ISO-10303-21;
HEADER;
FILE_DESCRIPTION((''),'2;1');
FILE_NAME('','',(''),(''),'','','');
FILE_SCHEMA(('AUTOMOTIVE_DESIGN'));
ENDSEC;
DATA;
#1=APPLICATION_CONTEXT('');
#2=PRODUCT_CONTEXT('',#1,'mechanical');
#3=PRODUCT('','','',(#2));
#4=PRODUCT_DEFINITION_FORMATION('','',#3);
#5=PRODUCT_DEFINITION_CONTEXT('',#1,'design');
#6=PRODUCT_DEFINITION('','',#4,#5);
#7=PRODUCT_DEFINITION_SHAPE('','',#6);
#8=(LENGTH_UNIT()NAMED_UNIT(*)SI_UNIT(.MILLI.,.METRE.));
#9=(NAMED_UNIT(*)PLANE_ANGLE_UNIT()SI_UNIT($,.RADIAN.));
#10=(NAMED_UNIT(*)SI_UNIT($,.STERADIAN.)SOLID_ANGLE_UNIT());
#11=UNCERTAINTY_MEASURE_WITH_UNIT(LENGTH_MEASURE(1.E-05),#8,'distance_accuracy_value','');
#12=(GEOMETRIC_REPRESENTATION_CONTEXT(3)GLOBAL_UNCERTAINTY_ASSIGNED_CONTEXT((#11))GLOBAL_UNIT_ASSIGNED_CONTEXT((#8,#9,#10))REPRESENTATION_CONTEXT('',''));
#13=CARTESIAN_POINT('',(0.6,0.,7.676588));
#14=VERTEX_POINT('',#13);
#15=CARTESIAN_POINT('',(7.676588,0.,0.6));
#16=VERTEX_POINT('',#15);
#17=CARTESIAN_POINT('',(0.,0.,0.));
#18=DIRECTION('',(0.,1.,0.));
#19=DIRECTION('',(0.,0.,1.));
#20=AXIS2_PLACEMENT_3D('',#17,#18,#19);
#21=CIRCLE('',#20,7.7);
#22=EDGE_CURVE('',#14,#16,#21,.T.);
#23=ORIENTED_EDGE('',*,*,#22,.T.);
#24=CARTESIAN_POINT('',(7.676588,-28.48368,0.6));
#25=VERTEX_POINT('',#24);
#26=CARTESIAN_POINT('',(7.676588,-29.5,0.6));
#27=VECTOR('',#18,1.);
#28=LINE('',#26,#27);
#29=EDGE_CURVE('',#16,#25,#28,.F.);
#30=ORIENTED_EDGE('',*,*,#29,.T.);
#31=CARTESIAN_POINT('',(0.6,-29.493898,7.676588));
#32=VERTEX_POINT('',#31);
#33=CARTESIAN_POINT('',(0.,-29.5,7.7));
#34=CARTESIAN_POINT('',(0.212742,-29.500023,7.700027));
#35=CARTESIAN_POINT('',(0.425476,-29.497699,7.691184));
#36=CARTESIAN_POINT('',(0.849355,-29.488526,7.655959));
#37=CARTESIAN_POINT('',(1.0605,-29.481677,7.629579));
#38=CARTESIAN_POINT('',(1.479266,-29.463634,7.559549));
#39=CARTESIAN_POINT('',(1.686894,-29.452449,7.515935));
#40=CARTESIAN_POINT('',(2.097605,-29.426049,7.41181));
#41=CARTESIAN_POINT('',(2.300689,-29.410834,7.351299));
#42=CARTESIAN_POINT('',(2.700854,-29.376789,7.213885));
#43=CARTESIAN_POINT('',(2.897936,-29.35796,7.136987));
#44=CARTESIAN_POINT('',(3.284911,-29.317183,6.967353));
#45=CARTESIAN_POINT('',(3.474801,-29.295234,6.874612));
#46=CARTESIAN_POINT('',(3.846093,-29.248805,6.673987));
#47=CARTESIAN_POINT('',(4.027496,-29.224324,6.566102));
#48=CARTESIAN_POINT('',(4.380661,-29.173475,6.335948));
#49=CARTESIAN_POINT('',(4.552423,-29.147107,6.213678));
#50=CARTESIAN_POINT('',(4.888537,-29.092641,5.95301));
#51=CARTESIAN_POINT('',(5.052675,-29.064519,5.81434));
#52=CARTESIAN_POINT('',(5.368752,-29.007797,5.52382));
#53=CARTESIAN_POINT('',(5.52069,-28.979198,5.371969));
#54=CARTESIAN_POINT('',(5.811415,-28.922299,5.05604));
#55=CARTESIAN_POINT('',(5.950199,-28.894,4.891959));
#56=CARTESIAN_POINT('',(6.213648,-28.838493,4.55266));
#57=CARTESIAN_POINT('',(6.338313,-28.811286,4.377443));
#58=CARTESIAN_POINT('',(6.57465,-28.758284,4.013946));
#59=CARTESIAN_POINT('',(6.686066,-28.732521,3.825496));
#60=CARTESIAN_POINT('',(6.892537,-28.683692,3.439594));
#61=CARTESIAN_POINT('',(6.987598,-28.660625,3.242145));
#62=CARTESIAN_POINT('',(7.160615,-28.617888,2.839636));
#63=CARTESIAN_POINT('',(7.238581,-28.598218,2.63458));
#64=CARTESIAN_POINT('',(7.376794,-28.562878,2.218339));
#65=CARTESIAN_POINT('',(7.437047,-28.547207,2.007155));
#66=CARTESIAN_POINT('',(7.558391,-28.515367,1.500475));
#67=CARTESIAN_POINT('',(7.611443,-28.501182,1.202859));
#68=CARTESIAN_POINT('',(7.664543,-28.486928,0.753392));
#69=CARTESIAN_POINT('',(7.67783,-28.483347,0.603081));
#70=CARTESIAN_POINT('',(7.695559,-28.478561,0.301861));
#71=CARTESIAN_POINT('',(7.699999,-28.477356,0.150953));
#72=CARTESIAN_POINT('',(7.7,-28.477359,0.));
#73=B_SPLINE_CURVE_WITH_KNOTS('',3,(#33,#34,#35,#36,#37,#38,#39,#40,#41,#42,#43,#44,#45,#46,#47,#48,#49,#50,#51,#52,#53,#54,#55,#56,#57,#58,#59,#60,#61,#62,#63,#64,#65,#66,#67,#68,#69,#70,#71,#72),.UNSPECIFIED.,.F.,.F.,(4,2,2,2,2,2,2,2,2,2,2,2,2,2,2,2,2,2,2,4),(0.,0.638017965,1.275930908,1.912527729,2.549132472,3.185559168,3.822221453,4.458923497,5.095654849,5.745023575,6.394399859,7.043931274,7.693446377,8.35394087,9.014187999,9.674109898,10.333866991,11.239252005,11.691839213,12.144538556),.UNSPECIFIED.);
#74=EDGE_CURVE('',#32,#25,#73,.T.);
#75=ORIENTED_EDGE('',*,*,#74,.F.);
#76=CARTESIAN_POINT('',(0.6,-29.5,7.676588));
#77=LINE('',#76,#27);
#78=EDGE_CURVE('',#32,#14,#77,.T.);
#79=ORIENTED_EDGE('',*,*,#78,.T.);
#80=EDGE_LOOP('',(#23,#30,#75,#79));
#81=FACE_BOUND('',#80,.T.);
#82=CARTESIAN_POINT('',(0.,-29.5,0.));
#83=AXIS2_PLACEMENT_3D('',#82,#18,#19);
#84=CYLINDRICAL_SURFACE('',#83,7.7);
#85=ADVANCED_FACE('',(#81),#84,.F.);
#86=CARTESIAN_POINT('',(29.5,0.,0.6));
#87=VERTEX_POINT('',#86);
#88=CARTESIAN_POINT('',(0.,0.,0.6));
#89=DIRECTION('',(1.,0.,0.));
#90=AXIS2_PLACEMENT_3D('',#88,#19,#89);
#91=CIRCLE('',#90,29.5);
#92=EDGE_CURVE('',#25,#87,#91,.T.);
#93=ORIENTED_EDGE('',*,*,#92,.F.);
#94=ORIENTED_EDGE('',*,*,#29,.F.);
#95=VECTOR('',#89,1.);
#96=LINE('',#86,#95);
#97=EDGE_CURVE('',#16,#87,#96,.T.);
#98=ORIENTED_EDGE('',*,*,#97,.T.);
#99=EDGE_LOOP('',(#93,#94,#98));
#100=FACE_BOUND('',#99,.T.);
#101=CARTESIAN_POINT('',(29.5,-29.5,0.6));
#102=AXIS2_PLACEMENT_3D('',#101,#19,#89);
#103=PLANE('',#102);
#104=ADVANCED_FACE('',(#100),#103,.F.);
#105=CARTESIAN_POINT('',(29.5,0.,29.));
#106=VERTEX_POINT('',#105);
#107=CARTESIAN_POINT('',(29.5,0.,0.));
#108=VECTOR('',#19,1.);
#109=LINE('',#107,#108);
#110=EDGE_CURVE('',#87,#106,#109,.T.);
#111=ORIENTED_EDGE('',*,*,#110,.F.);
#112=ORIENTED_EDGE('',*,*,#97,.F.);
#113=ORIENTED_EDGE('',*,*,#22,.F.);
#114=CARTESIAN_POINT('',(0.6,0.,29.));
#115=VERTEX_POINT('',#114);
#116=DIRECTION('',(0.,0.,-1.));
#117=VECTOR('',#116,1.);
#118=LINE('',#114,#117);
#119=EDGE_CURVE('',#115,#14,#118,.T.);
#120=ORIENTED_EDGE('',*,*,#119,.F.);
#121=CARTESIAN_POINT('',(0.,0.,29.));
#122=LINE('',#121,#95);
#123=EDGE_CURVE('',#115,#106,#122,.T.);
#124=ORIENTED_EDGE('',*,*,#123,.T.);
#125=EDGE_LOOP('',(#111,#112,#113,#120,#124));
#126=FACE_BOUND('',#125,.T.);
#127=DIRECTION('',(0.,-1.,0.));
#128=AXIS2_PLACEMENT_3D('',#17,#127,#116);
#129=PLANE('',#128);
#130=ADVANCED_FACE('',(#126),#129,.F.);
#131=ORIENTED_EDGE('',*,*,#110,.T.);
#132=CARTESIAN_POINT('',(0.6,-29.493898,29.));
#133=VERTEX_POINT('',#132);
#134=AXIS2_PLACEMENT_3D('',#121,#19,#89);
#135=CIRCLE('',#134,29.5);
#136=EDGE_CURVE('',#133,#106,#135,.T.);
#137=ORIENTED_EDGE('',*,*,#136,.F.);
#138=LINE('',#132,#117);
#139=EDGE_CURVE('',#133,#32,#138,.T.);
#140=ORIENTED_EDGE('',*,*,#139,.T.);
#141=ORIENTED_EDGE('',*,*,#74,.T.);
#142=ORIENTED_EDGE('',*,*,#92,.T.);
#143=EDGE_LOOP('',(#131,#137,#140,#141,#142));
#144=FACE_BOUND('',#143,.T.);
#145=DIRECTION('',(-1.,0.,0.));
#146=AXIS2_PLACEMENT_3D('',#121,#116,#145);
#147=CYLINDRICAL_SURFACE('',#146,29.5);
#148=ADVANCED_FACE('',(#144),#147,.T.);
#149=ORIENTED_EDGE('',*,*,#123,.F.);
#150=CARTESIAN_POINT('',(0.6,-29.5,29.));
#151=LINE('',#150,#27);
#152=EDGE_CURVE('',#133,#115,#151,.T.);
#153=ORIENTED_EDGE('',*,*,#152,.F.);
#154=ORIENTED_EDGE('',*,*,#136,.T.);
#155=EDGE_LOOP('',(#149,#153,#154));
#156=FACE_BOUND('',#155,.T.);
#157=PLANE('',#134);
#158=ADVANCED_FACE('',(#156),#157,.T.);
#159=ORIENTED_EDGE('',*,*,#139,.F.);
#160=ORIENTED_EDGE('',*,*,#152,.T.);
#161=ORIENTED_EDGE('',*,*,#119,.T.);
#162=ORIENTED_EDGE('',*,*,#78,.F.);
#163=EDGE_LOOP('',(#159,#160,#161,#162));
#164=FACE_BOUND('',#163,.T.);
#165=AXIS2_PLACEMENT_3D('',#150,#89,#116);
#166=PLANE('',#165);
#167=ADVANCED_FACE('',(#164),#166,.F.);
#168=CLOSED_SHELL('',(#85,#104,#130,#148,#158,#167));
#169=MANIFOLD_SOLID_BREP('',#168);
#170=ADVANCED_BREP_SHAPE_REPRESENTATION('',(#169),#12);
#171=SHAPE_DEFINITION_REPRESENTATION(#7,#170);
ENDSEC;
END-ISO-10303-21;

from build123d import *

# Parameters (mm, degrees)
SKETCH1_R           = 29.5
BOSS_EXTRUDE1_DEPTH = 29
CUT_EXTRUDE1_DEPTH  = 51.808463862
SKETCH3_R           = 7.7
CUT_EXTRUDE2_DEPTH  = 51.808463862
SKETCH4_W           = 0.6
SKETCH4_H           = 22.211954595
SKETCH4_W_2         = 23.241543893
SKETCH4_H_2         = 0.6
CUT_EXTRUDE3_DEPTH  = 51.808464035


with BuildPart() as part:
    # Sketch1 → Boss-Extrude1 (new body)
    with BuildSketch(Plane.XY):
        with Locations(Location((0, 0, 0), (0, 0, 180))):
            Circle(SKETCH1_R)
    extrude(amount=BOSS_EXTRUDE1_DEPTH)

    # Sketch2 → Cut-Extrude1 (cut, through all)
    with BuildSketch(Plane.XY.offset(29)):
        with BuildLine():
            Line((0, 0), (29.5, 0))
            ThreePointArc((29.5, 0), (-20.859650045, 20.859650045), (0, -29.5))
            Line((0, -29.5), (0, 0))
        make_face()
    extrude(amount=-CUT_EXTRUDE1_DEPTH, mode=Mode.SUBTRACT)

    # Sketch3 → Cut-Extrude2 (cut, through all)
    with BuildSketch(Plane(origin=(0, 0, 0), x_dir=(1, 0, 0), z_dir=(0, 1, 0))):
        Circle(SKETCH3_R)
    extrude(amount=-CUT_EXTRUDE2_DEPTH, mode=Mode.SUBTRACT)

    # Sketch4 → Cut-Extrude3 (cut, through all)
    with BuildSketch(Plane(origin=(0, 0, 0), x_dir=(1, 0, 0), z_dir=(0, 1, 0))):
        with Locations((0.3, -17.894022703)):
            Rectangle(SKETCH4_W, SKETCH4_H)
        with Locations((17.879228054, -0.3)):
            Rectangle(SKETCH4_W_2, SKETCH4_H_2)
    extrude(amount=-CUT_EXTRUDE3_DEPTH, mode=Mode.SUBTRACT)


solid = part.part
